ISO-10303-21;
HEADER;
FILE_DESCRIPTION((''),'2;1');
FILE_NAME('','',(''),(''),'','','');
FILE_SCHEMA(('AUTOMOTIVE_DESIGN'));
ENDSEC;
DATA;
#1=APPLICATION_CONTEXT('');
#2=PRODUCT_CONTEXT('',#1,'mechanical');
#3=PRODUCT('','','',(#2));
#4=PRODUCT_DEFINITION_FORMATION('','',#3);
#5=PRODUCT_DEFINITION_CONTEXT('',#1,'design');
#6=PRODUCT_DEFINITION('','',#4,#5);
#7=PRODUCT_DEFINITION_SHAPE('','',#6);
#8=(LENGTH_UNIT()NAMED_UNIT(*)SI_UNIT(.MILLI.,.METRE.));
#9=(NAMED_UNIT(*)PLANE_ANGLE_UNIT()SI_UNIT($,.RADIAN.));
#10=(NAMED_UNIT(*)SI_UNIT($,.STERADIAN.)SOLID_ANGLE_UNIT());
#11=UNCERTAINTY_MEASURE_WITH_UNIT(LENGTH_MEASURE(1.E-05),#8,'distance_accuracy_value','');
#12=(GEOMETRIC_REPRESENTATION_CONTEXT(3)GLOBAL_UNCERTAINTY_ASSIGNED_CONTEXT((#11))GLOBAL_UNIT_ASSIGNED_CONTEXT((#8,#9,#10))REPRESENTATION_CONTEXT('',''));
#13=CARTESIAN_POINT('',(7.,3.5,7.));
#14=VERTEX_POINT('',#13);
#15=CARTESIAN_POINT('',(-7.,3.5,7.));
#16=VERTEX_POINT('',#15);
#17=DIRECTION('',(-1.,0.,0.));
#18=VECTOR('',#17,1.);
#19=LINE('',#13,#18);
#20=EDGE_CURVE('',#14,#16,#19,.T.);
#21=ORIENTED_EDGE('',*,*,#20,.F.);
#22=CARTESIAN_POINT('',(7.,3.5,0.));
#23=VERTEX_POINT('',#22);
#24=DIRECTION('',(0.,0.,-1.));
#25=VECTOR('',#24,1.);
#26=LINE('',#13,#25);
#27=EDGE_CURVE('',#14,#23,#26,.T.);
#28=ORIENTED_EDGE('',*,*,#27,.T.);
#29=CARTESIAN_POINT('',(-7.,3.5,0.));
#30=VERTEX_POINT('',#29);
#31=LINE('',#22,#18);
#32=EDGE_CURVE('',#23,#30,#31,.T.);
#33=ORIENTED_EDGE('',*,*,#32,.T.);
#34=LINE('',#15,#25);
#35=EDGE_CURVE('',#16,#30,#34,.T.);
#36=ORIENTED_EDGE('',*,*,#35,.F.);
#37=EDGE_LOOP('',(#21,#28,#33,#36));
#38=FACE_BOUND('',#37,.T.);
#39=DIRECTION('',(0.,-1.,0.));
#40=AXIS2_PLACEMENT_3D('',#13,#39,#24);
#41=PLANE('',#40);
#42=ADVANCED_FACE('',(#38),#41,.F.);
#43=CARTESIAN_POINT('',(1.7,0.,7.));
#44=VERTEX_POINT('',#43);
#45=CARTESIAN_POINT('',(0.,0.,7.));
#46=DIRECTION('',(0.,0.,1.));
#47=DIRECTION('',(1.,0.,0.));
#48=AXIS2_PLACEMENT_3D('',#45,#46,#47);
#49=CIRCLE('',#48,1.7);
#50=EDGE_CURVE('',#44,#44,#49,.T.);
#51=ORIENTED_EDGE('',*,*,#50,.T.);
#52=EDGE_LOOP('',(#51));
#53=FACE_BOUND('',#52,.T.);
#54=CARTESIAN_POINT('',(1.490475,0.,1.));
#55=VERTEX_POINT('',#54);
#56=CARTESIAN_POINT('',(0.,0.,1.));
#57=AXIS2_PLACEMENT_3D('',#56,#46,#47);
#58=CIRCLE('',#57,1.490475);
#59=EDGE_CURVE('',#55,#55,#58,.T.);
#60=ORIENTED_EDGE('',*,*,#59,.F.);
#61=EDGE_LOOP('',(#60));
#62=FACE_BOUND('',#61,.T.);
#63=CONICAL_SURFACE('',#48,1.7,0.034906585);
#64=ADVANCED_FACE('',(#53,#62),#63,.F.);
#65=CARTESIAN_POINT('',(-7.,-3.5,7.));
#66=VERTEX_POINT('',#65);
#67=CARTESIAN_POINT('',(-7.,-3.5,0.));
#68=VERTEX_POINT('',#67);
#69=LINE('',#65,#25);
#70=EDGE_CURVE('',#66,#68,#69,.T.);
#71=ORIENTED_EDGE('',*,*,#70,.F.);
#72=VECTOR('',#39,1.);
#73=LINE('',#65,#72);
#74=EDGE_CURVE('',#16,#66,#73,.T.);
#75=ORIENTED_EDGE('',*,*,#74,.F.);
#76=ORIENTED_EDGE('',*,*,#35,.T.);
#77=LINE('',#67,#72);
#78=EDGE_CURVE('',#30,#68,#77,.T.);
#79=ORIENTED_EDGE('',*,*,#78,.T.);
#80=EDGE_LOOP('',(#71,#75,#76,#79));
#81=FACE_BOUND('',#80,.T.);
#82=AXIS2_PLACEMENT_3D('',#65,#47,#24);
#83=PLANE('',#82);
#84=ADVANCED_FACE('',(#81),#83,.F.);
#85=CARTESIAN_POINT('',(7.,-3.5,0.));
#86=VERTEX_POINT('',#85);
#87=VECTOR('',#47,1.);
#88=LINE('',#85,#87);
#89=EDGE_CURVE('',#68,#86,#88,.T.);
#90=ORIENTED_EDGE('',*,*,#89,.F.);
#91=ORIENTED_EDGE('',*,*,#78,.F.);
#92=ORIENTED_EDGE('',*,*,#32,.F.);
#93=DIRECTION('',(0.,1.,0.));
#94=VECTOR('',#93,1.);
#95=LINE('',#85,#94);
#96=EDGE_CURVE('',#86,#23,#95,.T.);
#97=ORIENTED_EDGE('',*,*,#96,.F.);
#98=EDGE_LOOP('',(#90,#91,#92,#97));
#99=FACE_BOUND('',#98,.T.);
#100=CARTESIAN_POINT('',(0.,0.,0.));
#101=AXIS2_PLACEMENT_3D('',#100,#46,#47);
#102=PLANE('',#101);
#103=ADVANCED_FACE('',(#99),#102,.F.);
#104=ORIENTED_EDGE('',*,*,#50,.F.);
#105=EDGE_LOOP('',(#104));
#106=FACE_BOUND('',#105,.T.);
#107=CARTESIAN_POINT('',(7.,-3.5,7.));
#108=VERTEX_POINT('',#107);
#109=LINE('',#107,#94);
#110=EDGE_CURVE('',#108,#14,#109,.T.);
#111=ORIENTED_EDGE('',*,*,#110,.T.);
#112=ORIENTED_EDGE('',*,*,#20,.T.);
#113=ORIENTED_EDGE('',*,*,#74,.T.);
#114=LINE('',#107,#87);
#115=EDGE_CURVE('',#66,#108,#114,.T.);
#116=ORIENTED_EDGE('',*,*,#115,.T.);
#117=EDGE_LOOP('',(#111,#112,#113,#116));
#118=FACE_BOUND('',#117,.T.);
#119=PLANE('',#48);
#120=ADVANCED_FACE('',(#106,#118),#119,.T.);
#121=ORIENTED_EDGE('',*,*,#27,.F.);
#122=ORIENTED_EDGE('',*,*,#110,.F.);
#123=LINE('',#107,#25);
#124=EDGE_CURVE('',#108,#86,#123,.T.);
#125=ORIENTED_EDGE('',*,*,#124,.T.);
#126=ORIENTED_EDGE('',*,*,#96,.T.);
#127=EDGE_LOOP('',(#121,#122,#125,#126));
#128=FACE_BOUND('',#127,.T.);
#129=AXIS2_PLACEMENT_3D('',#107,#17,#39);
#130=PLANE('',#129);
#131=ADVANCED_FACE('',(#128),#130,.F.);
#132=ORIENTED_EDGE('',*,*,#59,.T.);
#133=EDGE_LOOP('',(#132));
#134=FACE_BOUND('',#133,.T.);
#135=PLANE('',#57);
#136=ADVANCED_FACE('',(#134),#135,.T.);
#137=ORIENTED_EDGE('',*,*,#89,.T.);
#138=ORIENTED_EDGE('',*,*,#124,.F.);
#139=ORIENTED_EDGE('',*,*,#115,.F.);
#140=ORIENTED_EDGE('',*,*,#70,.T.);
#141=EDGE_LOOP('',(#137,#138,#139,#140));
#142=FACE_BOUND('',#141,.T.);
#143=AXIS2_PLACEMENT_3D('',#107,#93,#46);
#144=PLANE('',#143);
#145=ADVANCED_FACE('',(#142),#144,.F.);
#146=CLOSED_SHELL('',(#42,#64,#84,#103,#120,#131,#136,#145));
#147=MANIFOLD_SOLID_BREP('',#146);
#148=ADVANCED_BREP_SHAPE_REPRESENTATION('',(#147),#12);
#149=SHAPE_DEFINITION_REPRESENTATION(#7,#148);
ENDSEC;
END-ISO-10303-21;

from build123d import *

# Parameters (mm, degrees)
SKETCH_1_W          = 14
SKETCH_1_H          = 7
EXTRUDE_1_DEPTH     = 7
SKETCH_2_R          = 1.7
CUT_EXTRUDE_1_DEPTH = 6
CUT_EXTRUDE_1_DRAFT = -2


with BuildPart() as part:
    # Эскиз1 → Бобышка-Вытянуть1 (new body)
    with BuildSketch(Plane(origin=(0, 66.754264805, 0), x_dir=(-1, 0, 0), z_dir=(0, 0, 1))):
        with Locations((0, 66.754264805)):
            Rectangle(SKETCH_1_W, SKETCH_1_H)
    extrude(amount=EXTRUDE_1_DEPTH)


with BuildPart() as cut_extrude_1_tool:
    # Эскиз2 → Вырез-Вытянуть1 (with draft: the straight prism first)
    with BuildSketch(Plane.XY.offset(7)):
        Circle(SKETCH_2_R)
    extrude(amount=-CUT_EXTRUDE_1_DEPTH)
    # Вырез-Вытянуть1: the draft: its side faces are tilted about the plane it starts from
    cut_extrude_1_sides = [cut_extrude_1_tool.faces().sort_by_distance(p)[0] for p in [
        (-1.7, 0, 4),
    ]]
    draft(cut_extrude_1_sides, Plane.XY.offset(7), CUT_EXTRUDE_1_DRAFT)


with BuildPart() as part_1:
    add(part.part)

    # Вырез-Вытянуть1: cut by cut_extrude_1_tool
    add(cut_extrude_1_tool.part, mode=Mode.SUBTRACT)


solid = part_1.part
